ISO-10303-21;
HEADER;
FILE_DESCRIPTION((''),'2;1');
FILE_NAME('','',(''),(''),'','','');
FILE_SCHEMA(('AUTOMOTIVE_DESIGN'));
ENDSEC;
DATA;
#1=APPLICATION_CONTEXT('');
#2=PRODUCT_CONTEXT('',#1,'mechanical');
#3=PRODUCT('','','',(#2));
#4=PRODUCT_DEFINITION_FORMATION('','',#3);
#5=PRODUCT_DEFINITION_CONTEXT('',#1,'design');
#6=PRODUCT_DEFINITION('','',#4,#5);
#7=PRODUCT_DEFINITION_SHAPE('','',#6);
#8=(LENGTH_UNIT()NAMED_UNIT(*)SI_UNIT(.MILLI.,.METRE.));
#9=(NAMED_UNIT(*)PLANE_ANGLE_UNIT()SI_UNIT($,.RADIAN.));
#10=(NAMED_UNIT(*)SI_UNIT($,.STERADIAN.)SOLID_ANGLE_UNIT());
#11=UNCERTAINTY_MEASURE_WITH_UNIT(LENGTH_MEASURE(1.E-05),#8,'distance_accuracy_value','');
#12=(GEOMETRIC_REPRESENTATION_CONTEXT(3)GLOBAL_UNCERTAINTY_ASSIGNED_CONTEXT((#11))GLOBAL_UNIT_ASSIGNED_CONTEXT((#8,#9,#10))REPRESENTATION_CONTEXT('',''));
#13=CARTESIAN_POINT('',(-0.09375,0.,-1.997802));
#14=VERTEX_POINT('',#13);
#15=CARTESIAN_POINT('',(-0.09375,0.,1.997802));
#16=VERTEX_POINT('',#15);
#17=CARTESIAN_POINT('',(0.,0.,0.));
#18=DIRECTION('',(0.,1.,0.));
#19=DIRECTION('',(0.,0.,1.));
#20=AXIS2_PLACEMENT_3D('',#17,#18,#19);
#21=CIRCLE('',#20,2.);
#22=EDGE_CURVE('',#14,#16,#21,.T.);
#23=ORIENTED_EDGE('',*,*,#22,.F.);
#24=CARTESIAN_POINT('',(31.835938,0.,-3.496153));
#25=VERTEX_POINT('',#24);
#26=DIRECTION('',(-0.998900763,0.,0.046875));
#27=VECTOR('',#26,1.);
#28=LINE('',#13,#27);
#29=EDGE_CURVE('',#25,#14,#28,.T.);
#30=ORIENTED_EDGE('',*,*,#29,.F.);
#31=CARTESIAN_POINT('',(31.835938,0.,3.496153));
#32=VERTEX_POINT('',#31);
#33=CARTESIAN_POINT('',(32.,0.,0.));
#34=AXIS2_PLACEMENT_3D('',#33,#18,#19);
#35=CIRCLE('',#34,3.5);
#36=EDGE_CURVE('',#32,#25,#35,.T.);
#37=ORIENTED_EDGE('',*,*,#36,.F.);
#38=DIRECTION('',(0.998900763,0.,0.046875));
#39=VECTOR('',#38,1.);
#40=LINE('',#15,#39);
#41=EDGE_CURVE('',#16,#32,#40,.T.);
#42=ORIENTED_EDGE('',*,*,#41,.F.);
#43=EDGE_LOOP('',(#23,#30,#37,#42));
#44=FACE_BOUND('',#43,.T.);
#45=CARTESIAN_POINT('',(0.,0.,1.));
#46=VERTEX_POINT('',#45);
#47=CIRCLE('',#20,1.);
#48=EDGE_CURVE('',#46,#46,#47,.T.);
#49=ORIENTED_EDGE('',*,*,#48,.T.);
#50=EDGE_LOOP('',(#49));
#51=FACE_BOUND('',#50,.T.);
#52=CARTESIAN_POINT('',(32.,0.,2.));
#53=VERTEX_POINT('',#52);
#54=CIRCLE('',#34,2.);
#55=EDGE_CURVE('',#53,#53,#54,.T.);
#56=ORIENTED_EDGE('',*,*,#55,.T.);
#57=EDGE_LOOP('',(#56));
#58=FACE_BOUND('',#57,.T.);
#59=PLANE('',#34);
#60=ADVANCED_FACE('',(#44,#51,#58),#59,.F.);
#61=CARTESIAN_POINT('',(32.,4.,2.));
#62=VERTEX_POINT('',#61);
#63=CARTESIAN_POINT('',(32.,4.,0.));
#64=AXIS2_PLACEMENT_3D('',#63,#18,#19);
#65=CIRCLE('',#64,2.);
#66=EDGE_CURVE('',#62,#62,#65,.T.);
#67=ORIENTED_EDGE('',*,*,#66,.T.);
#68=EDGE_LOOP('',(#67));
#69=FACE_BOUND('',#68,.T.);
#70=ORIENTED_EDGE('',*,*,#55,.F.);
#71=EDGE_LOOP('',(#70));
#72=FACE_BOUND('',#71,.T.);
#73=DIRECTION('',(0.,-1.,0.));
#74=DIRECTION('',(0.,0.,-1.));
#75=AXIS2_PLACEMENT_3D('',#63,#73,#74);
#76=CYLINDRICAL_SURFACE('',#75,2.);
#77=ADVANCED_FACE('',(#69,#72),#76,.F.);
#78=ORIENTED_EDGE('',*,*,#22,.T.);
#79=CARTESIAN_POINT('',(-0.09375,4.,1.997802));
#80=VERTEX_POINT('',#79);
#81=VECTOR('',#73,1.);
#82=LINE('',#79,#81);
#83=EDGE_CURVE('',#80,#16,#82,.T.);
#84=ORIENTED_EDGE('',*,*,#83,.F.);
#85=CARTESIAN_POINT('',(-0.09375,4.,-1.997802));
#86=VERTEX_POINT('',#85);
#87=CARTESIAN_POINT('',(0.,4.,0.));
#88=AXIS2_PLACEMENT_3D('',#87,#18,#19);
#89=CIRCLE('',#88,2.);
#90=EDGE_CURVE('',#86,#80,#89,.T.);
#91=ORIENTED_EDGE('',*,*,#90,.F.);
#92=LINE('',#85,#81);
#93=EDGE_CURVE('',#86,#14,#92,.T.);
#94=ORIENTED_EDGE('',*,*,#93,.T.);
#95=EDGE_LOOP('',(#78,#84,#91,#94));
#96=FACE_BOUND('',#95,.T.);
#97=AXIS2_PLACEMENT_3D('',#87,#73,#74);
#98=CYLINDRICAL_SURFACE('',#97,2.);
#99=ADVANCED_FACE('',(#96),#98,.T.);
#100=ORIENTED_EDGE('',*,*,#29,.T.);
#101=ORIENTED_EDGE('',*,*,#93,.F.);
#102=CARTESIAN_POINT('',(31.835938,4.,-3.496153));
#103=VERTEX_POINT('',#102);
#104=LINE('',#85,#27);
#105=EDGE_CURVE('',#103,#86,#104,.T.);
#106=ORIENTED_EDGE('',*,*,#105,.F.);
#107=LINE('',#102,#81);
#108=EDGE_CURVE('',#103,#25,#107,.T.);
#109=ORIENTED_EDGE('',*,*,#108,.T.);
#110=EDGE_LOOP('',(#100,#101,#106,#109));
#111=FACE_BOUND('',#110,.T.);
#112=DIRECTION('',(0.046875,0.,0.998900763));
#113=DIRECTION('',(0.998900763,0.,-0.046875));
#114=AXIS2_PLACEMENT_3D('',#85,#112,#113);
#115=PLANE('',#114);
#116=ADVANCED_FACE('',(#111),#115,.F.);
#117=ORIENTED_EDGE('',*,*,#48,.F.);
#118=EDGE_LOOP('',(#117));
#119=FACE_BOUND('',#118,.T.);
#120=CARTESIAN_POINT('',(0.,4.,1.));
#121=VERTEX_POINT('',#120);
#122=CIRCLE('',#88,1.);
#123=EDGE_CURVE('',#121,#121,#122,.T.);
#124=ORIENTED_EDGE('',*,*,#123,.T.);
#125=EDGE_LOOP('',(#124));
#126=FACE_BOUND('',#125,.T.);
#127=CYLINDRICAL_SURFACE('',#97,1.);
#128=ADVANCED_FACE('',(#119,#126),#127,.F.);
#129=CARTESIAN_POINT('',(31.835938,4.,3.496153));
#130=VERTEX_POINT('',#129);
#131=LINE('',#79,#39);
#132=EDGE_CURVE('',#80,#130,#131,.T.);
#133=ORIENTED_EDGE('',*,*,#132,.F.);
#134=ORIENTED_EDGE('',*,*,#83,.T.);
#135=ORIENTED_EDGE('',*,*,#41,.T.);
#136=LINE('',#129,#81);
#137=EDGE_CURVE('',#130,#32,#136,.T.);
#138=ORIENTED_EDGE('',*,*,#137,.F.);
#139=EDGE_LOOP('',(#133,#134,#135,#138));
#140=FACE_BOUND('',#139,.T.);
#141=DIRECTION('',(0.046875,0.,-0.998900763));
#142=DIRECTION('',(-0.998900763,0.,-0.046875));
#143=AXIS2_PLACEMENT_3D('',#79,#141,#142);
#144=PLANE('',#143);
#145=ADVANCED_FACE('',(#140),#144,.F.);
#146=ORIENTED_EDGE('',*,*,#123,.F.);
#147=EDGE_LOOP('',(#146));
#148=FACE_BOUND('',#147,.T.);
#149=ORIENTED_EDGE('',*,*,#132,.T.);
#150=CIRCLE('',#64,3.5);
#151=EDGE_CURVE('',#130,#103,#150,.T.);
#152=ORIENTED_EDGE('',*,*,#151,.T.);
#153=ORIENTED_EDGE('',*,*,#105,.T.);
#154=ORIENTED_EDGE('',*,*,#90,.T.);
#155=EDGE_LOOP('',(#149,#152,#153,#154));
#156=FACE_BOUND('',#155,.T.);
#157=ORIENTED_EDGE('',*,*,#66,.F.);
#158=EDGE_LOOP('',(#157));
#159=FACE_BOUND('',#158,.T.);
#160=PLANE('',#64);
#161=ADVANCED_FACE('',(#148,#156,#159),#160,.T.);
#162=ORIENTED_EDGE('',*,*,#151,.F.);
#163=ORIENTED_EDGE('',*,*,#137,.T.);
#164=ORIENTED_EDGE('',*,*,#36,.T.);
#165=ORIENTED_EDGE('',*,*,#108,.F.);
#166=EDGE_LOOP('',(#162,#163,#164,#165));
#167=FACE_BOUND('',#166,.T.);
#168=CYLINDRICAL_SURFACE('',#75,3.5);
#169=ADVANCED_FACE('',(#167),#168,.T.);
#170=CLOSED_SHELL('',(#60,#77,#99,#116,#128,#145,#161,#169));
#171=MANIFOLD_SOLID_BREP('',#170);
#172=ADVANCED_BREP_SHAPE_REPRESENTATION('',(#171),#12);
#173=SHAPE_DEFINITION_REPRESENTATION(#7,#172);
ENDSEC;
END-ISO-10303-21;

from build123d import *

# Parameters (mm, degrees)
SKETCH_1_R      = 1
SKETCH_1_R_2    = 2
EXTRUDE_1_DEPTH = 4


with BuildPart() as part:
    # 草图1 → 凸台-拉伸1 (new body)
    with BuildSketch(Plane(origin=(0, 0, 0), x_dir=(1, 0, 0), z_dir=(0, 1, 0))):
        with BuildLine():
            Line((-0.09375, 1.997801526), (31.8359375, 3.496152671))
            ThreePointArc((31.8359375, 3.496152671), (35.5, 0), (31.8359375, -3.496152671))
            Line((31.8359375, -3.496152671), (-0.09375, -1.997801526))
            ThreePointArc((-0.09375, -1.997801526), (-2, 0), (-0.09375, 1.997801526))
        make_face()
        with Locations(Location((0, 0, 0), (0, 0, 270))):
            Circle(SKETCH_1_R, mode=Mode.SUBTRACT)
        with Locations(Location((32, 0, 0), (0, 0, 270))):
            Circle(SKETCH_1_R_2, mode=Mode.SUBTRACT)
    extrude(amount=EXTRUDE_1_DEPTH)


solid = part.part
